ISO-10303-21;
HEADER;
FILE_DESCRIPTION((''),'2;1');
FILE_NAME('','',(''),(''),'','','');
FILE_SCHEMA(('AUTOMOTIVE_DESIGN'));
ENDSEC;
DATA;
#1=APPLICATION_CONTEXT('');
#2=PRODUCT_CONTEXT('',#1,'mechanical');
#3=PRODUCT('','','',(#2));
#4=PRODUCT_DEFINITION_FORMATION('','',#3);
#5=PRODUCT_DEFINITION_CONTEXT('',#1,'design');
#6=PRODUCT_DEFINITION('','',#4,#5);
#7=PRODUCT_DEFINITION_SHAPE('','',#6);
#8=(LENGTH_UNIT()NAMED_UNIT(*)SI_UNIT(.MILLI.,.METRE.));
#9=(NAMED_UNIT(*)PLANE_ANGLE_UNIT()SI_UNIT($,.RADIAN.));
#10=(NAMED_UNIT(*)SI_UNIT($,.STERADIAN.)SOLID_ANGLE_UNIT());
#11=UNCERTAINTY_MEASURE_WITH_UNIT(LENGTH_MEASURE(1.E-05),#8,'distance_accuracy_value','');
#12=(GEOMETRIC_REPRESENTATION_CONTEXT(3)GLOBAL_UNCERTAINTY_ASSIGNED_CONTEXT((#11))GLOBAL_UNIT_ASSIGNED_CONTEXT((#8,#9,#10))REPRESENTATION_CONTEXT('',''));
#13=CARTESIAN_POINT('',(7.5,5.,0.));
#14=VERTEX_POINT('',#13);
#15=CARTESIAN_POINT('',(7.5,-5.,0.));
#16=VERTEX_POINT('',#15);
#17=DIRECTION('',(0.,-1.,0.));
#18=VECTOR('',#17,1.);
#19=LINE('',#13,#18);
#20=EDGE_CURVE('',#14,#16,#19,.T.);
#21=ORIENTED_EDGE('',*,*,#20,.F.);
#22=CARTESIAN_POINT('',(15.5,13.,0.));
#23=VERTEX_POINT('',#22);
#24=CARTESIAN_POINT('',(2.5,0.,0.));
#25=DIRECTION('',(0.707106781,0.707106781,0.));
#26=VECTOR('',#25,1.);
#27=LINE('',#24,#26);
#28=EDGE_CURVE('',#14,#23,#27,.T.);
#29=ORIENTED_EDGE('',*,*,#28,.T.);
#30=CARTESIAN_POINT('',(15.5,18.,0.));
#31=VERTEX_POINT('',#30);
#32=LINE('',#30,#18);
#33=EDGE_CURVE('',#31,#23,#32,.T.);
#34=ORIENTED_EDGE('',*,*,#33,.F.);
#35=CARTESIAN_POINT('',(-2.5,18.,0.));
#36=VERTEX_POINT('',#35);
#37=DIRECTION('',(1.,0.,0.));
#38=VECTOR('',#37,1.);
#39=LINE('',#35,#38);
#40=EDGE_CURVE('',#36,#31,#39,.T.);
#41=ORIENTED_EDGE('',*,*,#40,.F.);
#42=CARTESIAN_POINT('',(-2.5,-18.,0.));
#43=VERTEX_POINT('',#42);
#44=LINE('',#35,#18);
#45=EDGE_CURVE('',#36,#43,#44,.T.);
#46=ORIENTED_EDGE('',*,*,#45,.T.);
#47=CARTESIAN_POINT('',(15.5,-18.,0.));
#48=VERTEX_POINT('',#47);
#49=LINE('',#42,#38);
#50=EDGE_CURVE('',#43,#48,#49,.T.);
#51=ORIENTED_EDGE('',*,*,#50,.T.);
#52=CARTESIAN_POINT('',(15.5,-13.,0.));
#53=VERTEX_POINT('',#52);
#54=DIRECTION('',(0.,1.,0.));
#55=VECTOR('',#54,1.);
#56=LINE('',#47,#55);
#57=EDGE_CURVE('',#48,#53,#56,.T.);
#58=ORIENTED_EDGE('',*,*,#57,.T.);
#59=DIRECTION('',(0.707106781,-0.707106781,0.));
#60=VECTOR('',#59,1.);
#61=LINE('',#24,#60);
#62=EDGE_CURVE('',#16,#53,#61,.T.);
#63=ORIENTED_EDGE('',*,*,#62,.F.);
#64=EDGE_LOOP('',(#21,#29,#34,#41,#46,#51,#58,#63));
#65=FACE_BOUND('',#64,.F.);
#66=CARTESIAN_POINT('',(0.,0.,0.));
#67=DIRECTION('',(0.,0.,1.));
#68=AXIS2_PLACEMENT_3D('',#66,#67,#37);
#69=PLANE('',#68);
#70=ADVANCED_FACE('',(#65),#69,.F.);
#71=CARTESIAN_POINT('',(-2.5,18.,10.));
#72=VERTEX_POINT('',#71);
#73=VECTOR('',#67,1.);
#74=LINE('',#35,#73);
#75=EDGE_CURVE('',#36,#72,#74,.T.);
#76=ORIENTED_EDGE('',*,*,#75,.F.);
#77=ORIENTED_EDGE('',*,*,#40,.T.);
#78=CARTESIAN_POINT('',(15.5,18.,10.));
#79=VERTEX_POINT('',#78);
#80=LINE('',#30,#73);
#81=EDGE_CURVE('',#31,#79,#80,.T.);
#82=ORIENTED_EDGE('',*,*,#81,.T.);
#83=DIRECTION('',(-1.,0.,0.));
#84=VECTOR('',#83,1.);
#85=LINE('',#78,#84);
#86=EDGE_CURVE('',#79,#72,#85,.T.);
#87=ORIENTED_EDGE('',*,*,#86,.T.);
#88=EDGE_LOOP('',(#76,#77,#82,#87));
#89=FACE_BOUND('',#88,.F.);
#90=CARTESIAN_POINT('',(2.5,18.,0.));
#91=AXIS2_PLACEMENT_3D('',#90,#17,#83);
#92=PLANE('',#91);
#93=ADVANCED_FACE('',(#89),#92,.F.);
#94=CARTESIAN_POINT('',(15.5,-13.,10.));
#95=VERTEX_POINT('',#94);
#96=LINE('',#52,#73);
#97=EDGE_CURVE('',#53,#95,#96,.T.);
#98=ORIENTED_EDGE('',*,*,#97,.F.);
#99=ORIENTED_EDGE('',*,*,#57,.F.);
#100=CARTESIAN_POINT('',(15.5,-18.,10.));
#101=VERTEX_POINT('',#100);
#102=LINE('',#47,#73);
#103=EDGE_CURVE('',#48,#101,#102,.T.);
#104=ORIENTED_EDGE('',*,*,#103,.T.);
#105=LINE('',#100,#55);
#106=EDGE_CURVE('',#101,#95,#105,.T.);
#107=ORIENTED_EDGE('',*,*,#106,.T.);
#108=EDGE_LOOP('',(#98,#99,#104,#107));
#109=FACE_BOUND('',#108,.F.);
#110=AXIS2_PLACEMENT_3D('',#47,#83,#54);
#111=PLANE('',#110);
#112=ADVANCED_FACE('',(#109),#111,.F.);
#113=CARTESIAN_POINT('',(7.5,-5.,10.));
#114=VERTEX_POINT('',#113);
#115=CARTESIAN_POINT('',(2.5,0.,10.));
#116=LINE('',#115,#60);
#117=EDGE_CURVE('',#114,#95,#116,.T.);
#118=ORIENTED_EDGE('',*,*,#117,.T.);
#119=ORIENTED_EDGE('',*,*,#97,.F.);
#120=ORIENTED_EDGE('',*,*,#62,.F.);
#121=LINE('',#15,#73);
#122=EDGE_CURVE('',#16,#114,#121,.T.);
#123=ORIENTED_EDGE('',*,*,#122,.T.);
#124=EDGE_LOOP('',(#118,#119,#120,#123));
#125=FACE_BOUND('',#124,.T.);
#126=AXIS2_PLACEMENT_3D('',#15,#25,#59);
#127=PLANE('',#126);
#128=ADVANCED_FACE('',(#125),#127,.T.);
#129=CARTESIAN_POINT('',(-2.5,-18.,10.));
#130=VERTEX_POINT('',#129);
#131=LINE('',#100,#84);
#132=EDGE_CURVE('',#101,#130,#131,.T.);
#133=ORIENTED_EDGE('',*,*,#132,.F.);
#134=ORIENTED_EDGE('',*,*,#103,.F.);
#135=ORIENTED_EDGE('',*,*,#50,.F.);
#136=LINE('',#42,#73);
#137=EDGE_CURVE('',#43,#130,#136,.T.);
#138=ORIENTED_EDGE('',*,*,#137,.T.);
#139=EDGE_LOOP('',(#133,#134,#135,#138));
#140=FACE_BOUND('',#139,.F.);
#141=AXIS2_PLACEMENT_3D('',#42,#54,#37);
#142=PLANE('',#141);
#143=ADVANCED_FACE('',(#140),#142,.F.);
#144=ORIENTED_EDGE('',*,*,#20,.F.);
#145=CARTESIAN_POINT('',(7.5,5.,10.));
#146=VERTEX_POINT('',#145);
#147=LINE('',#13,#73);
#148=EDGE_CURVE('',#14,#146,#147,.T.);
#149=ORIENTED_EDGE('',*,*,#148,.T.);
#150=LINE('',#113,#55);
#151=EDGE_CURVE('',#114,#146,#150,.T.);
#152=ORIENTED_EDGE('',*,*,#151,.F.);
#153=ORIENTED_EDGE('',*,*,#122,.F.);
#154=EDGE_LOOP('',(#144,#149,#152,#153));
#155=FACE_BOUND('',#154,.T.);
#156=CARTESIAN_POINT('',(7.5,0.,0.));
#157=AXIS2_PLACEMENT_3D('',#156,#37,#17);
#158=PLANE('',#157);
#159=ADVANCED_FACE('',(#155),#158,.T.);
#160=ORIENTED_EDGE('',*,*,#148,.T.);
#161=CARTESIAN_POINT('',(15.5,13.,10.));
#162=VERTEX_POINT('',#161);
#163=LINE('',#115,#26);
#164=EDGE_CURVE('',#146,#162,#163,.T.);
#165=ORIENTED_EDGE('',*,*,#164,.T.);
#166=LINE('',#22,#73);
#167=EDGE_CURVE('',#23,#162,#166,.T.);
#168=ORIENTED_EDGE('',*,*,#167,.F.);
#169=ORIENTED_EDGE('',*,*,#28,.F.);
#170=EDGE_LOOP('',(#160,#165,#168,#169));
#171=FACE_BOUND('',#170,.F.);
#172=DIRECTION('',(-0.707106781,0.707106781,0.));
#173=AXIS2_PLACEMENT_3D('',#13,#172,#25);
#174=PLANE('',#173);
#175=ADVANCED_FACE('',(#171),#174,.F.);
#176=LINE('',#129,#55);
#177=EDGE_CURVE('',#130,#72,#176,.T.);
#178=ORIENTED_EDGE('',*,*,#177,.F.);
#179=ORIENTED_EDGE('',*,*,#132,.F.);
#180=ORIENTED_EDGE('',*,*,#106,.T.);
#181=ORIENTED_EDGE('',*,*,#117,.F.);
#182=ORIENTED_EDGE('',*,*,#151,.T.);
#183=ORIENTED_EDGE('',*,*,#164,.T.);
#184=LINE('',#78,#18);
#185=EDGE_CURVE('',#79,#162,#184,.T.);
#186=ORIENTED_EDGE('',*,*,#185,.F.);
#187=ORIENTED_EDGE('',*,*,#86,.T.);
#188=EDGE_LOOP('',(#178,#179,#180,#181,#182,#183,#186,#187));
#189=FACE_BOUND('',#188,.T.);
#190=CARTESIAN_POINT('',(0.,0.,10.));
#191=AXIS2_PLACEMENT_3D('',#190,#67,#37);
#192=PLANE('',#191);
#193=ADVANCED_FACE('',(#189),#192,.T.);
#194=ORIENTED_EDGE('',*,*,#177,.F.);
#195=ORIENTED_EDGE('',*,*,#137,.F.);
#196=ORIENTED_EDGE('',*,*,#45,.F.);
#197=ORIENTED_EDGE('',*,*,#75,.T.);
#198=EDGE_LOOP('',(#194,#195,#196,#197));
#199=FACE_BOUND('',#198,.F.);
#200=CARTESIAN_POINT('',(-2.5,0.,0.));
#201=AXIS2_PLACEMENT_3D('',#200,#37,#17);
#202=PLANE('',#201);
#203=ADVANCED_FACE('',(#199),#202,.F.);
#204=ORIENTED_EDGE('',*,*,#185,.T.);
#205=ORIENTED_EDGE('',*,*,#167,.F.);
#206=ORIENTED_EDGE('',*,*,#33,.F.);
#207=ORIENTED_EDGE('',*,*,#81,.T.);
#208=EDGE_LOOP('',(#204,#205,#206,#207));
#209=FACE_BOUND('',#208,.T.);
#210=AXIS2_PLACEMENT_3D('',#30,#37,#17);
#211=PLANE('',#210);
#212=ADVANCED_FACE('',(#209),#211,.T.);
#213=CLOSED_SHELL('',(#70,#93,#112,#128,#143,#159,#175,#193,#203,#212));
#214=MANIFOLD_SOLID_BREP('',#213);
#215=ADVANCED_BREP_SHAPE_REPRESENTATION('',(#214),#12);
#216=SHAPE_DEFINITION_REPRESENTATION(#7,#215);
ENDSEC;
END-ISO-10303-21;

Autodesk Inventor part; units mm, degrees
ref_plane "YZ Plane" through (0, 0, 0) normal (1, 0, 0) x (0, 1, 0)
ref_plane "XZ Plane" through (0, 0, 0) normal (0, 1, 0) x (-1, 0, 0)
ref_plane "XY Plane" through (0, 0, 0) normal (0, 0, 1) x (1, 0, 0)
sketch "Sketch1" plane through (0, 0, 0) normal (0, 0, 1) x (1, 0, 0)
  line L0 (-2.5, -18) -> (2.5, -18)
  line L1 (2.5, -18) -> (2.5, 18)
  line L2 (2.5, 18) -> (-2.5, 18)
  line L3 (-2.5, 18) -> (-2.5, -18)
  line L4 (-2.5, -18) -> (2.5, 18) construction
  line L5 (2.5, -18) -> (-2.5, 18) construction
  line L6 (2.5, 0) -> (20.5, 18)
  line L7 (20.5, 18) -> (2.5, 18)
  line L8 (-7.1, 0) -> (25.1, 0) projected
  line L9 (2.5, 0) -> (20.5, -18)
  line L10 (20.5, -18) -> (2.5, -18)
  line L11 (15.5, 18) -> (15.5, 13)
  line L12 (15.5, -18) -> (15.5, -13)
  line L13 (7.5, 5) -> (7.5, -5)
  point P0 (0, 0)
  point P1 (15.5, -13)
  dimension "d1" = 5
  dimension "d3" = 45
  dimension "d4" = 18
  dimension "d5" = 5
  dimension "d6" = 5
extrude "Extrusion1" add sketch "Sketch1" along normal blind 10 contours L3 L8 L1 L0 | L1 L9 L12 L10 | L3 L2 L1 L8 | L1 L7 L11 L6 | L6 L13 L8 | L8 L13 L9
properties part number "_3DPrint"
